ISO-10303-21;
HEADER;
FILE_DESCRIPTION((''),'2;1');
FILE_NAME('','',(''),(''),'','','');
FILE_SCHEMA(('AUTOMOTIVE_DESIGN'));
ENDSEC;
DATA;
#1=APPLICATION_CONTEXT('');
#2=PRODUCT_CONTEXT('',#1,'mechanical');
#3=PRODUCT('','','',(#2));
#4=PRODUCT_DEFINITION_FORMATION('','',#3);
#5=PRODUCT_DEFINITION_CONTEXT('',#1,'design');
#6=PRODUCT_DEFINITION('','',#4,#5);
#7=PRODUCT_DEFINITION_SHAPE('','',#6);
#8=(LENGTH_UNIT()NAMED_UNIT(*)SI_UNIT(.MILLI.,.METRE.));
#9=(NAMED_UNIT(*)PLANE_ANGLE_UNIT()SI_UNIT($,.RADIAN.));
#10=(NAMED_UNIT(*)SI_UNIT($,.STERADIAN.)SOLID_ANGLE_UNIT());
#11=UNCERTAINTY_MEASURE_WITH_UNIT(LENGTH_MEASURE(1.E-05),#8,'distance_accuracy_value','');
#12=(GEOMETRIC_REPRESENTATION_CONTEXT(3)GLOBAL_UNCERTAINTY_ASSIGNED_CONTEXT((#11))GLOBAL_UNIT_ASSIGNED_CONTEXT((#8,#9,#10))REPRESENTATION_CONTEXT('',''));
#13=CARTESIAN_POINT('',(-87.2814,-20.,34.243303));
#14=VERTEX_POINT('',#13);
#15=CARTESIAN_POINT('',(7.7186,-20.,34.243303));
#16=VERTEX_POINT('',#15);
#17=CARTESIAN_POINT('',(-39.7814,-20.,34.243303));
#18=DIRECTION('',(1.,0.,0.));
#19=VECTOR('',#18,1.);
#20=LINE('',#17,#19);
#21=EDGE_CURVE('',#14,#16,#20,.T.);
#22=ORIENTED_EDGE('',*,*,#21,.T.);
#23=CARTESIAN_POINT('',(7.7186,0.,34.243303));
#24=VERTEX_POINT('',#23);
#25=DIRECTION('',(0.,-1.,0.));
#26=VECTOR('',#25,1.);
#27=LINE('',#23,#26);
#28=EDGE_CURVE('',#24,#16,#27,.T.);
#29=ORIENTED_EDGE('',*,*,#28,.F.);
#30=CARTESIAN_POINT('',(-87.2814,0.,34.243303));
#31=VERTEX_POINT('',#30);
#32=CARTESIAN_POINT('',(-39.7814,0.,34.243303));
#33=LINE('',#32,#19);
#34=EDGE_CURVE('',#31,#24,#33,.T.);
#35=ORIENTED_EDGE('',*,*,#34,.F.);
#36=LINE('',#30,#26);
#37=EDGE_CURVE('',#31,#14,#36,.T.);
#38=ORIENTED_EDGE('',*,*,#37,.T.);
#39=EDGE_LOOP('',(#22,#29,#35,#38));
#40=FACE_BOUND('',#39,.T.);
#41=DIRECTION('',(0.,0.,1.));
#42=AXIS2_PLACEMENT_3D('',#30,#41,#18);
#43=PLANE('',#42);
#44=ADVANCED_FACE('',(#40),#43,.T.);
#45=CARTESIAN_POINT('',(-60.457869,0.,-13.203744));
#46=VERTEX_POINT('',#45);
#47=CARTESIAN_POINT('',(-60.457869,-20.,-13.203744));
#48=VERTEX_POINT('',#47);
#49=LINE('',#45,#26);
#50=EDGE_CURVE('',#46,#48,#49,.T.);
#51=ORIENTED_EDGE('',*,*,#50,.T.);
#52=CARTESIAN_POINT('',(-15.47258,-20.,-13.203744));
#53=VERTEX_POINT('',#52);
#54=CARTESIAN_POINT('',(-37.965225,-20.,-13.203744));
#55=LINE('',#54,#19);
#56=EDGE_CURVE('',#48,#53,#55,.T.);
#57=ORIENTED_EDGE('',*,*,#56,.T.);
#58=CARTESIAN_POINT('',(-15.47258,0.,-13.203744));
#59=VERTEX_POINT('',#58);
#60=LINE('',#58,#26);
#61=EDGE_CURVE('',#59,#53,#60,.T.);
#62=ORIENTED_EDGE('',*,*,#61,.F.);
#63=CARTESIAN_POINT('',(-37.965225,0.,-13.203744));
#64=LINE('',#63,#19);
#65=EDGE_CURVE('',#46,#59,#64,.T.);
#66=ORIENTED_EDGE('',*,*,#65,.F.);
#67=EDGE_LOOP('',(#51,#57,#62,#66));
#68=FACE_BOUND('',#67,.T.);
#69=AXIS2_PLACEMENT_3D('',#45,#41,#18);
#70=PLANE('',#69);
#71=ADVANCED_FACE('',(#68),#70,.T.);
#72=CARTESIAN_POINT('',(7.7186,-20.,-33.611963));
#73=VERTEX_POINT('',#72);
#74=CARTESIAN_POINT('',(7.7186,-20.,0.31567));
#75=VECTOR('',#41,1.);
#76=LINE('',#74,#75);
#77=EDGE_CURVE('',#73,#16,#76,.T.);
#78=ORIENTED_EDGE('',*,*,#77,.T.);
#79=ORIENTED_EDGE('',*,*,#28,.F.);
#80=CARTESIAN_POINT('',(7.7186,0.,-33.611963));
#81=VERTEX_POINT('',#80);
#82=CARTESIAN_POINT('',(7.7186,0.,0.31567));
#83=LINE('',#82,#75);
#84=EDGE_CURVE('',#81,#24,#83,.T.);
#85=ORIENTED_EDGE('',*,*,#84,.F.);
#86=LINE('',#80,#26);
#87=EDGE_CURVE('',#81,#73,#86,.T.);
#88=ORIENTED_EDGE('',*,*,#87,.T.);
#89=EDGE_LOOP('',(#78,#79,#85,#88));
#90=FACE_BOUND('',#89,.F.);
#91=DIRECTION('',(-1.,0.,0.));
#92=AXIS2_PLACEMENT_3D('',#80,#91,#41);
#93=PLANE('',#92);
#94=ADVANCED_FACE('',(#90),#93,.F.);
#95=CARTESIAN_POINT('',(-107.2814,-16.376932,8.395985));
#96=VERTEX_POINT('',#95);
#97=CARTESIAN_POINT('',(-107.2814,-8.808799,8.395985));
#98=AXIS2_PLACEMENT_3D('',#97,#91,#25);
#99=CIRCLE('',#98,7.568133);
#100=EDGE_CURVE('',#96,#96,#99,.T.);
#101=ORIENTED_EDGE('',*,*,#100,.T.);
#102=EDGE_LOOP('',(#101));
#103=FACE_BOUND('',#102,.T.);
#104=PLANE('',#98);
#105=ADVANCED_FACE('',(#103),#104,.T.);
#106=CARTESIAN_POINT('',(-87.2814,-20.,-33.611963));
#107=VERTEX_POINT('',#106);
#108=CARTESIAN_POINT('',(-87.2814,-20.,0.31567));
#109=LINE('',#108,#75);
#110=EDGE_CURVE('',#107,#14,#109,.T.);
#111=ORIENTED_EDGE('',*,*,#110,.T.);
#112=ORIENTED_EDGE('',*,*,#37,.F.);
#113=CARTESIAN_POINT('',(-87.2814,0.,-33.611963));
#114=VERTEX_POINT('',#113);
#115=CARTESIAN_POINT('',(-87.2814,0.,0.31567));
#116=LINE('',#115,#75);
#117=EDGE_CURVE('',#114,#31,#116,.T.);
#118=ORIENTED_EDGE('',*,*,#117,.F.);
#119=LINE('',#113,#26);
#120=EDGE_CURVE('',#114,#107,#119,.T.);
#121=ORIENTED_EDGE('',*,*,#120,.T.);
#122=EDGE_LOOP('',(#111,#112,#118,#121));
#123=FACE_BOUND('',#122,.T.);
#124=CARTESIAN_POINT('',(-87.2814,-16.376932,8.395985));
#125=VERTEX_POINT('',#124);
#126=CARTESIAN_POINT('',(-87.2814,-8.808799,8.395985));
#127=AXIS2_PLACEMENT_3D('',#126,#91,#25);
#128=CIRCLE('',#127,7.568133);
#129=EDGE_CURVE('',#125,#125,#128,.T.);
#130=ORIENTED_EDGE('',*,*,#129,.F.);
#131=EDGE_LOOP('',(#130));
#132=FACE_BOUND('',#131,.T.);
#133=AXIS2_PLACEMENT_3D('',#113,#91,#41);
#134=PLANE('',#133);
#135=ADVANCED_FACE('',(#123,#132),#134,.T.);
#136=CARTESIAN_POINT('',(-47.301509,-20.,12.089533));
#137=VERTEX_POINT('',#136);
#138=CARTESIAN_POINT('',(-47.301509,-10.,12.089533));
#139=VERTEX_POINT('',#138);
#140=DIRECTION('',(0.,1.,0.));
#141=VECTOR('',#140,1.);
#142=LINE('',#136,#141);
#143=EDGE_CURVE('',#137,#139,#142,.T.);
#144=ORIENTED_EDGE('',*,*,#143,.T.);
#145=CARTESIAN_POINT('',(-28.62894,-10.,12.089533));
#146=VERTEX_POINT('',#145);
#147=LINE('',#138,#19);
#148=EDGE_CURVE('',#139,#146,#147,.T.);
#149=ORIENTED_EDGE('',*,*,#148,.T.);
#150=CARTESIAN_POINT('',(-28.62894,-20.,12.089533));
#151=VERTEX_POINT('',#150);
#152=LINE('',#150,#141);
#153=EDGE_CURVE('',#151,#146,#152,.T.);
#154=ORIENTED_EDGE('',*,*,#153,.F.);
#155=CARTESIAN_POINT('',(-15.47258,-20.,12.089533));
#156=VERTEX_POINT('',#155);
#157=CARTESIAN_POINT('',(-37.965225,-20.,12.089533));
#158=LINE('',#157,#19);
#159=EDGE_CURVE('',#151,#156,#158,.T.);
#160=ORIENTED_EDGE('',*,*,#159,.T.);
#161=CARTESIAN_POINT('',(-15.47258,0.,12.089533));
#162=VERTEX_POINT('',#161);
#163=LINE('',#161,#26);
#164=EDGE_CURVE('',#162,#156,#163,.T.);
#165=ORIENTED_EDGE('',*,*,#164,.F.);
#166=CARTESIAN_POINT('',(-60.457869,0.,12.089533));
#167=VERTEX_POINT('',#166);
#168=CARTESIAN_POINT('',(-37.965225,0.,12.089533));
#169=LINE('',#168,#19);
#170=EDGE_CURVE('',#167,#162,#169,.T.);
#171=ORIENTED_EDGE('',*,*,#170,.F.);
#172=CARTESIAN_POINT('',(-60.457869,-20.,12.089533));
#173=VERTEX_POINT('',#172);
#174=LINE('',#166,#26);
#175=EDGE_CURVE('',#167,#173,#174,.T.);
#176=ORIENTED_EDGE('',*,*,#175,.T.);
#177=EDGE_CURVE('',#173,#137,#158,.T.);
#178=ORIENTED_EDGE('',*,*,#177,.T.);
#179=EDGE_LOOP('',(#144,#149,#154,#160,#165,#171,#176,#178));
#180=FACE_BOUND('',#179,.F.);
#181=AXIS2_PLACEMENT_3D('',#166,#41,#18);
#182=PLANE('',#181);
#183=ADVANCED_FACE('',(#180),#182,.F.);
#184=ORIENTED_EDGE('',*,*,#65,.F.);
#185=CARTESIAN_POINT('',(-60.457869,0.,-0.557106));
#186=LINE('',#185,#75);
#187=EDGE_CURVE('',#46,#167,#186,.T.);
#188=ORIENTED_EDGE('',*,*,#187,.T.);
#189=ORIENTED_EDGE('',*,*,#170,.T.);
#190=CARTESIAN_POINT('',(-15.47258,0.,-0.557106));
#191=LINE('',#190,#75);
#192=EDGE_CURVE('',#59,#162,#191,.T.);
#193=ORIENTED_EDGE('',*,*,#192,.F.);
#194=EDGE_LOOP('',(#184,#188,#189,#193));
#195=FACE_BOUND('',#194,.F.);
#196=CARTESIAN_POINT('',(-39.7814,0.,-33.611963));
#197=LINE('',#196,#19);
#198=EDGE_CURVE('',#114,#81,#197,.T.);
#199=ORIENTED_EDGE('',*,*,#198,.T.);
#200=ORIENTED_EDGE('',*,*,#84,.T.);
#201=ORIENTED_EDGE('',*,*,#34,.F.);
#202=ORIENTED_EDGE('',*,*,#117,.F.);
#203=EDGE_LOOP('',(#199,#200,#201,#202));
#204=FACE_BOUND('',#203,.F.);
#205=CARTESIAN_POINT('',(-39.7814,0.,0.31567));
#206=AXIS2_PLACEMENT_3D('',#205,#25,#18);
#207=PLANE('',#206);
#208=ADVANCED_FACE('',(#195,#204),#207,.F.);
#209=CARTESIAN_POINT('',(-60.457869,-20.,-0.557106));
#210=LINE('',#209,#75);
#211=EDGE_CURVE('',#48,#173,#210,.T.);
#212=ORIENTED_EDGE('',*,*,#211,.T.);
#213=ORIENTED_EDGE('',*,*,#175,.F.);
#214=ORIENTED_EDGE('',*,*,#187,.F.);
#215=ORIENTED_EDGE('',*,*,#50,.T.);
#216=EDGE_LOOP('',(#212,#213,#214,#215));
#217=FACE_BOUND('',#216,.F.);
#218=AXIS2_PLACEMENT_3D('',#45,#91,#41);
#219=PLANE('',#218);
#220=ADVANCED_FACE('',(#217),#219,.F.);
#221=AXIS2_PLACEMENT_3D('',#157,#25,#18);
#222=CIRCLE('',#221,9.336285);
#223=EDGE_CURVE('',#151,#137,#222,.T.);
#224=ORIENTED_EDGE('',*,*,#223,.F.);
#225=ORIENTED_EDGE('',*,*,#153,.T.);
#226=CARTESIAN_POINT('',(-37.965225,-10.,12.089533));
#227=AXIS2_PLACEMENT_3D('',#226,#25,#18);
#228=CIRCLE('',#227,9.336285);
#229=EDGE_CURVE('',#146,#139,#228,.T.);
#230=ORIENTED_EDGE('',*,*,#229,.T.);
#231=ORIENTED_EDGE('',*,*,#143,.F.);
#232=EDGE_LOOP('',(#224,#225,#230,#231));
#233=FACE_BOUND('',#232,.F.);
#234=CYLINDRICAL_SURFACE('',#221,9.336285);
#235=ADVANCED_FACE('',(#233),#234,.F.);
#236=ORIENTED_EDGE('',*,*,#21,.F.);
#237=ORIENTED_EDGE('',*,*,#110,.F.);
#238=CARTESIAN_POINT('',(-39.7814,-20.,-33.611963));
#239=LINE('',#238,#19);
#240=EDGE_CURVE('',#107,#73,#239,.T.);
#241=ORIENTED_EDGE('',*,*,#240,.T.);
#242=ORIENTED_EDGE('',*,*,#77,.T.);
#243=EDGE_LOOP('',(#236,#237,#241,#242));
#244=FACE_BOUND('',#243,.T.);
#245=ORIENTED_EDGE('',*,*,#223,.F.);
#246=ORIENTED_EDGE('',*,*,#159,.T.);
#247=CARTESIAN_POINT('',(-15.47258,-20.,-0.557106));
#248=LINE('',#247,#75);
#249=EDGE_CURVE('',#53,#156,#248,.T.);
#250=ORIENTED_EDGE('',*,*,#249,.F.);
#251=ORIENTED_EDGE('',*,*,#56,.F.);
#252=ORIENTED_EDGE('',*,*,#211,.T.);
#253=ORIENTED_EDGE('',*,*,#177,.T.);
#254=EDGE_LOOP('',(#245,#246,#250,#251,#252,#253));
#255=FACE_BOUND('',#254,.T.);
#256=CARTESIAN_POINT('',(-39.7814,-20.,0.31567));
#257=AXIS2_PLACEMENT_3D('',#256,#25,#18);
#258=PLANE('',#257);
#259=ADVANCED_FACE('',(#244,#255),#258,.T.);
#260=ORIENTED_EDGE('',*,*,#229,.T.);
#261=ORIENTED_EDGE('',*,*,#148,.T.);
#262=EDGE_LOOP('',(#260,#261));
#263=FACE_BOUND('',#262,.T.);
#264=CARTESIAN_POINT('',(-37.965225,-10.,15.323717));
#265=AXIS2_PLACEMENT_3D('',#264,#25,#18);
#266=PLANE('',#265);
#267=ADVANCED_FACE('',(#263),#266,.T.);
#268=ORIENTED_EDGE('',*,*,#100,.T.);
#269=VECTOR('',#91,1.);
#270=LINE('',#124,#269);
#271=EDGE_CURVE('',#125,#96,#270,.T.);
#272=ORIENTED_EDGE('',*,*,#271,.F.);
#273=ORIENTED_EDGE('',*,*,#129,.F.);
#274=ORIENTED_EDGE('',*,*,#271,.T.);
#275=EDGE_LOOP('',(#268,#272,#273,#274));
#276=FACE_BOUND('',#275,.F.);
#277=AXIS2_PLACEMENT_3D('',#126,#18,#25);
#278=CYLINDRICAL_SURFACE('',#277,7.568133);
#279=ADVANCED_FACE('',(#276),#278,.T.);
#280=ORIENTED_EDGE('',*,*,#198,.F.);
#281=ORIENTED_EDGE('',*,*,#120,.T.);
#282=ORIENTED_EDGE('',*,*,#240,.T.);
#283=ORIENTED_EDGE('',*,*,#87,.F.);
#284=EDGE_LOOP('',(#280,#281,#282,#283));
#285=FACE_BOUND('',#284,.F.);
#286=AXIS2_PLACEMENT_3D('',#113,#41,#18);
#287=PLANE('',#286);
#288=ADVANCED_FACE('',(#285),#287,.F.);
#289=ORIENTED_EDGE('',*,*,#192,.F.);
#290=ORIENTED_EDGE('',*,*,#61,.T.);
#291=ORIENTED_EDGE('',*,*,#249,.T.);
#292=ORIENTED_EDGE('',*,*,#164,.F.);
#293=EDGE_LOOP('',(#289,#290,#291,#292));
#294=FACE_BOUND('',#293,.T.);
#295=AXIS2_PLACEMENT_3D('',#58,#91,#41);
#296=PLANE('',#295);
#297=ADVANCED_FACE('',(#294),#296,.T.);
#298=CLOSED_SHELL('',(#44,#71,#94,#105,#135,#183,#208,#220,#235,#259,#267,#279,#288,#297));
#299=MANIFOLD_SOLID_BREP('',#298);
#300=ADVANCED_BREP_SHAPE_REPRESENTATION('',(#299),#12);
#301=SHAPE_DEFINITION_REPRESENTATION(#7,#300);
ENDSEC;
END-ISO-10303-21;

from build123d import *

# Parameters (mm, degrees)
F0_W     = 95
F0_H     = 67.8552658787
F0_W_2   = 44.9852889642
F0_H_2   = 25.2932771593
F1_DEPTH = 20
F2_R     = 7.5681331321
F3_DEPTH = 20
F5_DEPTH = 10


with BuildPart() as f1:
    # F0 (on Front) → F1 (new body)
    with BuildSketch(Plane.XZ):
        with Locations((-39.7814000025, 0.315669924)):
            Rectangle(F0_W, F0_H)
        with Locations((-37.9652246557, -0.5571056452)):
            Rectangle(F0_W_2, F0_H_2, mode=Mode.SUBTRACT)
    extrude(amount=F1_DEPTH)

    # F2 (on face) → F3 (join)
    with BuildSketch(Plane(origin=(-87.2814000025, 0, 0), x_dir=(0, -1, 0), z_dir=(-1, 0, 0))):
        with Locations((8.808799088, 8.3959847689)):
            Circle(F2_R)
    extrude(amount=F3_DEPTH)

    # F4 (on face) → F5 (cut)
    with BuildSketch(Plane.XZ.offset(20)):
        with BuildLine():
            Line((-47.3015092245, 12.0895329345), (-28.628940087, 12.0895329345))
            ThreePointArc((-28.628940087, 12.0895329345), (-37.9652246557, 21.4258175032), (-47.3015092245, 12.0895329345))
        make_face()
    extrude(amount=-F5_DEPTH, mode=Mode.SUBTRACT)


solid = f1.part
